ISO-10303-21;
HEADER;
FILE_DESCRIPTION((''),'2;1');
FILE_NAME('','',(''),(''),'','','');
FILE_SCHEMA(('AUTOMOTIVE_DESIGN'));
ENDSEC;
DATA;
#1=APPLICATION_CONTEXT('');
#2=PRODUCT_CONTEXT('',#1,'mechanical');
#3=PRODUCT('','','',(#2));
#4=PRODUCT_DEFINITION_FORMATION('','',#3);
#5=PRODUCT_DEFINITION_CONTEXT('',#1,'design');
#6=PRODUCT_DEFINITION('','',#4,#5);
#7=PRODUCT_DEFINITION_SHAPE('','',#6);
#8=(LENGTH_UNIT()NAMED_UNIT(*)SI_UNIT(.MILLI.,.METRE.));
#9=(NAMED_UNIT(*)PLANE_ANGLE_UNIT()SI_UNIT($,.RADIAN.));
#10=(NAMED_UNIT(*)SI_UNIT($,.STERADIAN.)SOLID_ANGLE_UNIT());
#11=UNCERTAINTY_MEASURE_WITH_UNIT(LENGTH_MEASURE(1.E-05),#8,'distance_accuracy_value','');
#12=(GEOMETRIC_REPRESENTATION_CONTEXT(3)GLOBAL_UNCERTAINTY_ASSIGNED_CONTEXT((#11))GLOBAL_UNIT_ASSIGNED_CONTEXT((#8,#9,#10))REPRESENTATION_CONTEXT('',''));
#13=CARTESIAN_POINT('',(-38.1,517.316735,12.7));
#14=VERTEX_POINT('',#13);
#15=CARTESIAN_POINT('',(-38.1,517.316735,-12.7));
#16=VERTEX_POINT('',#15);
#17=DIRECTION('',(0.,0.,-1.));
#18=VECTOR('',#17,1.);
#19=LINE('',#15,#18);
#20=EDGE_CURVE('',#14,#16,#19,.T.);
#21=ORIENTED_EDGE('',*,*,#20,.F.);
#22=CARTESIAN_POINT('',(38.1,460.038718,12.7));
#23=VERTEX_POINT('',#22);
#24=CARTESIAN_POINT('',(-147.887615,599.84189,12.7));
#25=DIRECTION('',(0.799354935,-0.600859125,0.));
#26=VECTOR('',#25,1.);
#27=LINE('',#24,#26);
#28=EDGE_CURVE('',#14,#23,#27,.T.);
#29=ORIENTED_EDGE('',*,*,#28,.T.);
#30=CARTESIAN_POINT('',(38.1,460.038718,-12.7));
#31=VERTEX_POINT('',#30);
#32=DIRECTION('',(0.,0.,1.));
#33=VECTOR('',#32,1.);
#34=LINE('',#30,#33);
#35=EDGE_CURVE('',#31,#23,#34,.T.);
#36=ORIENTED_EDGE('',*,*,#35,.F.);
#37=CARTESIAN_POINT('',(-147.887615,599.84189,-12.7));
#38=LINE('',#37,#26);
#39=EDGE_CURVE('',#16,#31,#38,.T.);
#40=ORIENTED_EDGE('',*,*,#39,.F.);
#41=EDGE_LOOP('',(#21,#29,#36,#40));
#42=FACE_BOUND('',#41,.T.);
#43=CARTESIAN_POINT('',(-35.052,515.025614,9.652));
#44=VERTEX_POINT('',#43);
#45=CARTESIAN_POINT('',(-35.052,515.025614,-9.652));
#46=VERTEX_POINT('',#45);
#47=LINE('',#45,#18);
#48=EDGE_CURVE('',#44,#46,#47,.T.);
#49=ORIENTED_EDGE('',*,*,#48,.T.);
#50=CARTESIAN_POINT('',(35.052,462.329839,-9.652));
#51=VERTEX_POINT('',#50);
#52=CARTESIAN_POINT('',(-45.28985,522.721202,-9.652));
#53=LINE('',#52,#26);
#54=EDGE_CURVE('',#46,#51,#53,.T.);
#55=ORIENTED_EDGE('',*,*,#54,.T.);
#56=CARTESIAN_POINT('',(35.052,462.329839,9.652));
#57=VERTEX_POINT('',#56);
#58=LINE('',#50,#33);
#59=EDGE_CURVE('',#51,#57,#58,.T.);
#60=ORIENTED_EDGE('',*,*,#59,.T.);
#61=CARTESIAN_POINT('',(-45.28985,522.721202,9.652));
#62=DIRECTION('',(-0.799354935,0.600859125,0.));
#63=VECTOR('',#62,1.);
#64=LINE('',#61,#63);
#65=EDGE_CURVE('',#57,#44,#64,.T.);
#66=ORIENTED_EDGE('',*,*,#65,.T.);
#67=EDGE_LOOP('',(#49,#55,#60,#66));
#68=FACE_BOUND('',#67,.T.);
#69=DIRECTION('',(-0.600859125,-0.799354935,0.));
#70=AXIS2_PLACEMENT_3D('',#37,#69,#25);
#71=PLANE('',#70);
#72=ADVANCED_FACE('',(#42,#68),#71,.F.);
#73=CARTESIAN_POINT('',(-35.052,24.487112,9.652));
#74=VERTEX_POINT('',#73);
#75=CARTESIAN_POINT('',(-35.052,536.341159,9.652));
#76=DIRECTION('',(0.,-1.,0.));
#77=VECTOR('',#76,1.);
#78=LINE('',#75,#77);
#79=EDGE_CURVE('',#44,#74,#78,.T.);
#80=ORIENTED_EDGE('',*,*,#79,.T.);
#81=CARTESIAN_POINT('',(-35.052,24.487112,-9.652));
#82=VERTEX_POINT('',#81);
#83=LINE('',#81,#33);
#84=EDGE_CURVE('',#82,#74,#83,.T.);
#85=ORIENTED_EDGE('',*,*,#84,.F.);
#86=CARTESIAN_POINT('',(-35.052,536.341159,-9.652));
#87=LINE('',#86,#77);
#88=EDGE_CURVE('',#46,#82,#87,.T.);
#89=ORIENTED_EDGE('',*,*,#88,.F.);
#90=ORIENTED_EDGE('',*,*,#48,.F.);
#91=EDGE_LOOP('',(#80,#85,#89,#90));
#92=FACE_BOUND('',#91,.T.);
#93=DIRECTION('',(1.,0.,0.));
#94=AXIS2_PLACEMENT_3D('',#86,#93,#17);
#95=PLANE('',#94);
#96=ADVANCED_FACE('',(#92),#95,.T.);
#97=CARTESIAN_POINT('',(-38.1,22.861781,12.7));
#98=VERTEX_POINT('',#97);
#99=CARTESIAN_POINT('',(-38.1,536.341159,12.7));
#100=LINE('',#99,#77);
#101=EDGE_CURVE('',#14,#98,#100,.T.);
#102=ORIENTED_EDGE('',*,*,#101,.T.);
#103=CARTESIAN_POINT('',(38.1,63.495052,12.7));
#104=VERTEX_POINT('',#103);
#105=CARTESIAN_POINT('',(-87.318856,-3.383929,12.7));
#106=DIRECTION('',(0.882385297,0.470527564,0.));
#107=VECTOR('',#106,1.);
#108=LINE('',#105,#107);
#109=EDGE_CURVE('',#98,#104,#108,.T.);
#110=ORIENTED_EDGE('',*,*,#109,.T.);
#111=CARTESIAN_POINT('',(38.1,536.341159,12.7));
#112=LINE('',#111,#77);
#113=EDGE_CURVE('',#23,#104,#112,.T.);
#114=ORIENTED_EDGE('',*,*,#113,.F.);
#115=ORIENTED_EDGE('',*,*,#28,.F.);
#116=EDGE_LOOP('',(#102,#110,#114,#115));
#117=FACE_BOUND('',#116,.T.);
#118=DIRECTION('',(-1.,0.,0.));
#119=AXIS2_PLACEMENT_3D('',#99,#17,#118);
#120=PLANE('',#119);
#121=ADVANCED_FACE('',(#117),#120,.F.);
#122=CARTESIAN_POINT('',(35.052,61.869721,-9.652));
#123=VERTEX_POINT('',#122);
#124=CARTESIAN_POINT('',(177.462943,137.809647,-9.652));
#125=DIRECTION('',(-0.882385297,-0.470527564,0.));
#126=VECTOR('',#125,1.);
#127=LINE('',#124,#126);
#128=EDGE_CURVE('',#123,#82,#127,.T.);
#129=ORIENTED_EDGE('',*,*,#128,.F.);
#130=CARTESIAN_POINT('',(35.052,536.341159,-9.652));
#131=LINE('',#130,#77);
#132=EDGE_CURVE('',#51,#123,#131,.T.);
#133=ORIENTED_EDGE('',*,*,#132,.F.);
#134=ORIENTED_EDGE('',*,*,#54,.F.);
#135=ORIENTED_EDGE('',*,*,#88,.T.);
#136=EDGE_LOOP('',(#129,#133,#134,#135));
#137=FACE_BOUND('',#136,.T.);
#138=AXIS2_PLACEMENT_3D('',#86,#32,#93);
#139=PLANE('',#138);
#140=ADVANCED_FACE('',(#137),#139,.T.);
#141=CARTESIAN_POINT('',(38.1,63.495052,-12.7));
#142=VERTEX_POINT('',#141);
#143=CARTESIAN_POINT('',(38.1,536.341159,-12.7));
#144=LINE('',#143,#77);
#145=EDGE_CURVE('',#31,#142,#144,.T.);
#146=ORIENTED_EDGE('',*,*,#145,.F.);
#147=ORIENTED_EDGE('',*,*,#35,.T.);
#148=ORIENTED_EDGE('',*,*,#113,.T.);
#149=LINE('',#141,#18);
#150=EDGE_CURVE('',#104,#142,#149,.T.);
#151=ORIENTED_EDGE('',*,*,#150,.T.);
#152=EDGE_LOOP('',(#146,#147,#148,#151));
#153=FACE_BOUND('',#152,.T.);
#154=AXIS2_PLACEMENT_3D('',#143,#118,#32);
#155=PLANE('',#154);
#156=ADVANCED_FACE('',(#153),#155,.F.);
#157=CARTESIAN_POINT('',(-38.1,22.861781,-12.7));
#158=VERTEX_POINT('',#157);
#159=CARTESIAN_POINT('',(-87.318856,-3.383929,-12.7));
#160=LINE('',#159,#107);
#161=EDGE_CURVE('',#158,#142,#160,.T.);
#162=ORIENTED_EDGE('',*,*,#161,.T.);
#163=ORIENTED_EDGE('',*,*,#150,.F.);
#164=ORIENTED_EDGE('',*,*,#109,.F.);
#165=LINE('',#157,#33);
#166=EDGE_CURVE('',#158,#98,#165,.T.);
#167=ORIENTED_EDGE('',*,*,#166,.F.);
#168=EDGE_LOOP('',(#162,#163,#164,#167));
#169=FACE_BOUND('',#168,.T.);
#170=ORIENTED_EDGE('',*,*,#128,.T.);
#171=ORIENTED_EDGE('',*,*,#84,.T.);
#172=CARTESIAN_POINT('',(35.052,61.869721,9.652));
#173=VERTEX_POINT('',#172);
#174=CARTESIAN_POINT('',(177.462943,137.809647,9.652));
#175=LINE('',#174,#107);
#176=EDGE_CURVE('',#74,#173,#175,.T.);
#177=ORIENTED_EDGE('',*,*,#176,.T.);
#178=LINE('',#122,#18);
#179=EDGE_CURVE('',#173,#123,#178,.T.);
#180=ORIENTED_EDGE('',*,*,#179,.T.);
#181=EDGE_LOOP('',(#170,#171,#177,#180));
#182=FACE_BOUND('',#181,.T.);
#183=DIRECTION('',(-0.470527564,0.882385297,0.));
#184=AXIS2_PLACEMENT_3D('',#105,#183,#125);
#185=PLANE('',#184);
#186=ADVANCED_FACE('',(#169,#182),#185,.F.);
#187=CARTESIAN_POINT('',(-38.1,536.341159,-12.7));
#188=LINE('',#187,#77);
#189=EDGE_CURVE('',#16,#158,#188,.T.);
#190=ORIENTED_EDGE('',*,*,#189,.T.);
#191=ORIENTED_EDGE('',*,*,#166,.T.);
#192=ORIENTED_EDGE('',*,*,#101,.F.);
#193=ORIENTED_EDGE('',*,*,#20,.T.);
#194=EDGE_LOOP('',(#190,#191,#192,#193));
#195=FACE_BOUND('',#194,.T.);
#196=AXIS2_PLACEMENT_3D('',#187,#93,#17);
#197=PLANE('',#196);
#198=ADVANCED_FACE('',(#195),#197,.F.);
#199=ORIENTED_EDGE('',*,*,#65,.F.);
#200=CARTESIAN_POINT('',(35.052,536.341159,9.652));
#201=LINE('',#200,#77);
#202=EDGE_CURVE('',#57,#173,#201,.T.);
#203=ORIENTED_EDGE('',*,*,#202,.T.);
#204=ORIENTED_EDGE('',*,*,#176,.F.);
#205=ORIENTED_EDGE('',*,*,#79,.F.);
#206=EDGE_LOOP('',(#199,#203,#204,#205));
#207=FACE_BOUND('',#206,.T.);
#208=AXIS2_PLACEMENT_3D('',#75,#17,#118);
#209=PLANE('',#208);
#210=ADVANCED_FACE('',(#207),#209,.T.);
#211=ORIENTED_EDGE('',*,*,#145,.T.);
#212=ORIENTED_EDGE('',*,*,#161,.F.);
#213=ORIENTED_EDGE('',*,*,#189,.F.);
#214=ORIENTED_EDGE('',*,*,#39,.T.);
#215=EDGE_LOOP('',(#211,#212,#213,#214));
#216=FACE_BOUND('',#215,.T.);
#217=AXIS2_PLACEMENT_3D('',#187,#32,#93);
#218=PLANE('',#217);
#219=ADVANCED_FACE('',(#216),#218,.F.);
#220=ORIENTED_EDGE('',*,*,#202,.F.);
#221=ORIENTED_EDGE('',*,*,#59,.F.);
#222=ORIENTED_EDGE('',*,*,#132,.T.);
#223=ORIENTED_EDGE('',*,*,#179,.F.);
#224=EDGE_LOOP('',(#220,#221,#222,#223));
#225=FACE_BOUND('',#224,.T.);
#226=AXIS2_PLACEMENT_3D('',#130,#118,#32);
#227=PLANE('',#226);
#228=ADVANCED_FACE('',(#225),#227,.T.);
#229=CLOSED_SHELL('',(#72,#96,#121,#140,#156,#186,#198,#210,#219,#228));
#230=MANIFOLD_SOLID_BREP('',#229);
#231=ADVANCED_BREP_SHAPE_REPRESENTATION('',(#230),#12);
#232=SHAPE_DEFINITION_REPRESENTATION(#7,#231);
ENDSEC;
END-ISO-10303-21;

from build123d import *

# Parameters (mm, degrees)
SKETCH1_W           = 76.2
SKETCH1_H           = 25.4
SKETCH1_W_2         = 70.104
SKETCH1_H_2         = 19.304
BOSS_EXTRUDE1_DEPTH = 536.341159
CUT_EXTRUDE1_START  = -30.455423
SKETCH3_W           = 25.4
SKETCH3_H           = 76.2
CUT_EXTRUDE1_DEPTH  = 106.757864
CUT_EXTRUDE2_START  = -33.61888
SKETCH4_W           = 25.4
SKETCH4_H           = 76.2
CUT_EXTRUDE2_DEPTH  = 97.113932


with BuildPart() as part:
    # Sketch1 → Boss-Extrude1 (new body)
    with BuildSketch(Plane(origin=(0, 0, 0), x_dir=(1, 0, 0), z_dir=(0, 1, 0))):
        Rectangle(SKETCH1_W, SKETCH1_H)
        Rectangle(SKETCH1_W_2, SKETCH1_H_2, mode=Mode.SUBTRACT)
    extrude(amount=BOSS_EXTRUDE1_DEPTH)

    # Sketch3 → Cut-Extrude1 (cut)
    with BuildSketch(Plane(origin=(0, 536.341159245, 0), x_dir=(0, 0, -1), z_dir=(0.799354935, -0.600859125, 0)).offset(CUT_EXTRUDE1_START)):
        Rectangle(SKETCH3_W, SKETCH3_H)
    extrude(amount=CUT_EXTRUDE1_DEPTH, mode=Mode.SUBTRACT)

    # Sketch4 → Cut-Extrude2 (cut)
    with BuildSketch(Plane(origin=(0, 0, 0), x_dir=(0, 0, -1), z_dir=(0.882385297, 0.470527564, 0)).offset(CUT_EXTRUDE2_START)):
        Rectangle(SKETCH4_W, SKETCH4_H)
    extrude(amount=CUT_EXTRUDE2_DEPTH, mode=Mode.SUBTRACT)


solid = part.part
